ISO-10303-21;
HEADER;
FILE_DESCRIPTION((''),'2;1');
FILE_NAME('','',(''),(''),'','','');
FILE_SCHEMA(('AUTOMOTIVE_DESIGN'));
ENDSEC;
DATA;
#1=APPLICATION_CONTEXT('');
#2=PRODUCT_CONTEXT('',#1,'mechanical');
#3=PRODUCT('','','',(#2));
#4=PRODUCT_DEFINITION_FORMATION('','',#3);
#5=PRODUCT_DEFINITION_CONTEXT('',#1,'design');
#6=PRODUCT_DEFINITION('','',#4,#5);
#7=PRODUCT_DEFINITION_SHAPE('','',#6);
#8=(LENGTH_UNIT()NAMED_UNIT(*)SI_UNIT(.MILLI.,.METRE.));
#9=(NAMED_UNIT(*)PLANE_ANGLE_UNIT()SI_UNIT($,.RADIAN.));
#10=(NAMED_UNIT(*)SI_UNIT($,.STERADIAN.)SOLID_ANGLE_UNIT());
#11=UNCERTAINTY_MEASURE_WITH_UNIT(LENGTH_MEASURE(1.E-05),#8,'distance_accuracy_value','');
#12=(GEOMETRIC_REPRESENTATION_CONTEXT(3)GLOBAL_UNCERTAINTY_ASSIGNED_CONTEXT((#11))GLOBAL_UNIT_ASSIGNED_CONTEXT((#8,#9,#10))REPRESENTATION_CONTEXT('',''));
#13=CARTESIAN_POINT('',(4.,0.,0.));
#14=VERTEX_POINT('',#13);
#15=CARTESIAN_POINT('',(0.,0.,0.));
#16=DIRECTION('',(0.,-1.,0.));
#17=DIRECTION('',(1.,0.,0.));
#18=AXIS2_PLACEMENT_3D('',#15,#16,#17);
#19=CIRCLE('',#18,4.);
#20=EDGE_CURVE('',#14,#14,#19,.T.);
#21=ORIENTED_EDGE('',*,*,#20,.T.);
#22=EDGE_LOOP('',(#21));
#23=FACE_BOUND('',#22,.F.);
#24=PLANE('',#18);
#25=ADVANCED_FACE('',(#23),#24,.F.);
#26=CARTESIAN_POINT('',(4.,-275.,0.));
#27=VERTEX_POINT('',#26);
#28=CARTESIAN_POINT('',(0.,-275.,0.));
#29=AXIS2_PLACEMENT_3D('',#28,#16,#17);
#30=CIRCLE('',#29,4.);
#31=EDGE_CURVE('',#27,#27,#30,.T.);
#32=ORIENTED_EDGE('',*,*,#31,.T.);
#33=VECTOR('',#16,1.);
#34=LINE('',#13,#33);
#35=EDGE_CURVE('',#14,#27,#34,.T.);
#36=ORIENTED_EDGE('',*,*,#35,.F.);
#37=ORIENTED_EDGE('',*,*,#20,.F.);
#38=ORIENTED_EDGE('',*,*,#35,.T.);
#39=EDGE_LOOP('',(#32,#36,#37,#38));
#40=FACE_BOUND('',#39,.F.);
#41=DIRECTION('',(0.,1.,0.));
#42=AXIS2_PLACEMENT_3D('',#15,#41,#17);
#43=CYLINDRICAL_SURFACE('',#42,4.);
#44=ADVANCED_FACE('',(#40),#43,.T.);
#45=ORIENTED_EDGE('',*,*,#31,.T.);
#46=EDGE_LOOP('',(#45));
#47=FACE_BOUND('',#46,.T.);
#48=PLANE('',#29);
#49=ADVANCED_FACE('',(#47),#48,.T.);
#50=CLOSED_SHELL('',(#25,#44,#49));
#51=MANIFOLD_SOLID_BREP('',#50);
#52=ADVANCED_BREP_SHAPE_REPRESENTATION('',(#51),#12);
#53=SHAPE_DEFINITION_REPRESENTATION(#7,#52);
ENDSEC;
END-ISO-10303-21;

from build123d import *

# Parameters (mm, degrees)
F0_R     = 4
F1_DEPTH = 400
F2_DEPTH = 100
F3_DEPTH = 25


with BuildPart() as f1:
    # F0 (on Front) → F1 (new body)
    with BuildSketch(Plane.XZ):
        Circle(F0_R)
    extrude(amount=F1_DEPTH)

    # F2 (cut): a face of the model
    f2_faces = [f1.faces().sort_by_distance(p)[0] for p in [
        (0, -400, 0),
    ]]
    extrude(f2_faces, amount=-F2_DEPTH, mode=Mode.SUBTRACT)

    # F3 (cut): a face of the model
    f3_faces = [f1.faces().sort_by_distance(p)[0] for p in [
        (0, -300, 0),
    ]]
    extrude(f3_faces, amount=-F3_DEPTH, mode=Mode.SUBTRACT)


solid = f1.part
